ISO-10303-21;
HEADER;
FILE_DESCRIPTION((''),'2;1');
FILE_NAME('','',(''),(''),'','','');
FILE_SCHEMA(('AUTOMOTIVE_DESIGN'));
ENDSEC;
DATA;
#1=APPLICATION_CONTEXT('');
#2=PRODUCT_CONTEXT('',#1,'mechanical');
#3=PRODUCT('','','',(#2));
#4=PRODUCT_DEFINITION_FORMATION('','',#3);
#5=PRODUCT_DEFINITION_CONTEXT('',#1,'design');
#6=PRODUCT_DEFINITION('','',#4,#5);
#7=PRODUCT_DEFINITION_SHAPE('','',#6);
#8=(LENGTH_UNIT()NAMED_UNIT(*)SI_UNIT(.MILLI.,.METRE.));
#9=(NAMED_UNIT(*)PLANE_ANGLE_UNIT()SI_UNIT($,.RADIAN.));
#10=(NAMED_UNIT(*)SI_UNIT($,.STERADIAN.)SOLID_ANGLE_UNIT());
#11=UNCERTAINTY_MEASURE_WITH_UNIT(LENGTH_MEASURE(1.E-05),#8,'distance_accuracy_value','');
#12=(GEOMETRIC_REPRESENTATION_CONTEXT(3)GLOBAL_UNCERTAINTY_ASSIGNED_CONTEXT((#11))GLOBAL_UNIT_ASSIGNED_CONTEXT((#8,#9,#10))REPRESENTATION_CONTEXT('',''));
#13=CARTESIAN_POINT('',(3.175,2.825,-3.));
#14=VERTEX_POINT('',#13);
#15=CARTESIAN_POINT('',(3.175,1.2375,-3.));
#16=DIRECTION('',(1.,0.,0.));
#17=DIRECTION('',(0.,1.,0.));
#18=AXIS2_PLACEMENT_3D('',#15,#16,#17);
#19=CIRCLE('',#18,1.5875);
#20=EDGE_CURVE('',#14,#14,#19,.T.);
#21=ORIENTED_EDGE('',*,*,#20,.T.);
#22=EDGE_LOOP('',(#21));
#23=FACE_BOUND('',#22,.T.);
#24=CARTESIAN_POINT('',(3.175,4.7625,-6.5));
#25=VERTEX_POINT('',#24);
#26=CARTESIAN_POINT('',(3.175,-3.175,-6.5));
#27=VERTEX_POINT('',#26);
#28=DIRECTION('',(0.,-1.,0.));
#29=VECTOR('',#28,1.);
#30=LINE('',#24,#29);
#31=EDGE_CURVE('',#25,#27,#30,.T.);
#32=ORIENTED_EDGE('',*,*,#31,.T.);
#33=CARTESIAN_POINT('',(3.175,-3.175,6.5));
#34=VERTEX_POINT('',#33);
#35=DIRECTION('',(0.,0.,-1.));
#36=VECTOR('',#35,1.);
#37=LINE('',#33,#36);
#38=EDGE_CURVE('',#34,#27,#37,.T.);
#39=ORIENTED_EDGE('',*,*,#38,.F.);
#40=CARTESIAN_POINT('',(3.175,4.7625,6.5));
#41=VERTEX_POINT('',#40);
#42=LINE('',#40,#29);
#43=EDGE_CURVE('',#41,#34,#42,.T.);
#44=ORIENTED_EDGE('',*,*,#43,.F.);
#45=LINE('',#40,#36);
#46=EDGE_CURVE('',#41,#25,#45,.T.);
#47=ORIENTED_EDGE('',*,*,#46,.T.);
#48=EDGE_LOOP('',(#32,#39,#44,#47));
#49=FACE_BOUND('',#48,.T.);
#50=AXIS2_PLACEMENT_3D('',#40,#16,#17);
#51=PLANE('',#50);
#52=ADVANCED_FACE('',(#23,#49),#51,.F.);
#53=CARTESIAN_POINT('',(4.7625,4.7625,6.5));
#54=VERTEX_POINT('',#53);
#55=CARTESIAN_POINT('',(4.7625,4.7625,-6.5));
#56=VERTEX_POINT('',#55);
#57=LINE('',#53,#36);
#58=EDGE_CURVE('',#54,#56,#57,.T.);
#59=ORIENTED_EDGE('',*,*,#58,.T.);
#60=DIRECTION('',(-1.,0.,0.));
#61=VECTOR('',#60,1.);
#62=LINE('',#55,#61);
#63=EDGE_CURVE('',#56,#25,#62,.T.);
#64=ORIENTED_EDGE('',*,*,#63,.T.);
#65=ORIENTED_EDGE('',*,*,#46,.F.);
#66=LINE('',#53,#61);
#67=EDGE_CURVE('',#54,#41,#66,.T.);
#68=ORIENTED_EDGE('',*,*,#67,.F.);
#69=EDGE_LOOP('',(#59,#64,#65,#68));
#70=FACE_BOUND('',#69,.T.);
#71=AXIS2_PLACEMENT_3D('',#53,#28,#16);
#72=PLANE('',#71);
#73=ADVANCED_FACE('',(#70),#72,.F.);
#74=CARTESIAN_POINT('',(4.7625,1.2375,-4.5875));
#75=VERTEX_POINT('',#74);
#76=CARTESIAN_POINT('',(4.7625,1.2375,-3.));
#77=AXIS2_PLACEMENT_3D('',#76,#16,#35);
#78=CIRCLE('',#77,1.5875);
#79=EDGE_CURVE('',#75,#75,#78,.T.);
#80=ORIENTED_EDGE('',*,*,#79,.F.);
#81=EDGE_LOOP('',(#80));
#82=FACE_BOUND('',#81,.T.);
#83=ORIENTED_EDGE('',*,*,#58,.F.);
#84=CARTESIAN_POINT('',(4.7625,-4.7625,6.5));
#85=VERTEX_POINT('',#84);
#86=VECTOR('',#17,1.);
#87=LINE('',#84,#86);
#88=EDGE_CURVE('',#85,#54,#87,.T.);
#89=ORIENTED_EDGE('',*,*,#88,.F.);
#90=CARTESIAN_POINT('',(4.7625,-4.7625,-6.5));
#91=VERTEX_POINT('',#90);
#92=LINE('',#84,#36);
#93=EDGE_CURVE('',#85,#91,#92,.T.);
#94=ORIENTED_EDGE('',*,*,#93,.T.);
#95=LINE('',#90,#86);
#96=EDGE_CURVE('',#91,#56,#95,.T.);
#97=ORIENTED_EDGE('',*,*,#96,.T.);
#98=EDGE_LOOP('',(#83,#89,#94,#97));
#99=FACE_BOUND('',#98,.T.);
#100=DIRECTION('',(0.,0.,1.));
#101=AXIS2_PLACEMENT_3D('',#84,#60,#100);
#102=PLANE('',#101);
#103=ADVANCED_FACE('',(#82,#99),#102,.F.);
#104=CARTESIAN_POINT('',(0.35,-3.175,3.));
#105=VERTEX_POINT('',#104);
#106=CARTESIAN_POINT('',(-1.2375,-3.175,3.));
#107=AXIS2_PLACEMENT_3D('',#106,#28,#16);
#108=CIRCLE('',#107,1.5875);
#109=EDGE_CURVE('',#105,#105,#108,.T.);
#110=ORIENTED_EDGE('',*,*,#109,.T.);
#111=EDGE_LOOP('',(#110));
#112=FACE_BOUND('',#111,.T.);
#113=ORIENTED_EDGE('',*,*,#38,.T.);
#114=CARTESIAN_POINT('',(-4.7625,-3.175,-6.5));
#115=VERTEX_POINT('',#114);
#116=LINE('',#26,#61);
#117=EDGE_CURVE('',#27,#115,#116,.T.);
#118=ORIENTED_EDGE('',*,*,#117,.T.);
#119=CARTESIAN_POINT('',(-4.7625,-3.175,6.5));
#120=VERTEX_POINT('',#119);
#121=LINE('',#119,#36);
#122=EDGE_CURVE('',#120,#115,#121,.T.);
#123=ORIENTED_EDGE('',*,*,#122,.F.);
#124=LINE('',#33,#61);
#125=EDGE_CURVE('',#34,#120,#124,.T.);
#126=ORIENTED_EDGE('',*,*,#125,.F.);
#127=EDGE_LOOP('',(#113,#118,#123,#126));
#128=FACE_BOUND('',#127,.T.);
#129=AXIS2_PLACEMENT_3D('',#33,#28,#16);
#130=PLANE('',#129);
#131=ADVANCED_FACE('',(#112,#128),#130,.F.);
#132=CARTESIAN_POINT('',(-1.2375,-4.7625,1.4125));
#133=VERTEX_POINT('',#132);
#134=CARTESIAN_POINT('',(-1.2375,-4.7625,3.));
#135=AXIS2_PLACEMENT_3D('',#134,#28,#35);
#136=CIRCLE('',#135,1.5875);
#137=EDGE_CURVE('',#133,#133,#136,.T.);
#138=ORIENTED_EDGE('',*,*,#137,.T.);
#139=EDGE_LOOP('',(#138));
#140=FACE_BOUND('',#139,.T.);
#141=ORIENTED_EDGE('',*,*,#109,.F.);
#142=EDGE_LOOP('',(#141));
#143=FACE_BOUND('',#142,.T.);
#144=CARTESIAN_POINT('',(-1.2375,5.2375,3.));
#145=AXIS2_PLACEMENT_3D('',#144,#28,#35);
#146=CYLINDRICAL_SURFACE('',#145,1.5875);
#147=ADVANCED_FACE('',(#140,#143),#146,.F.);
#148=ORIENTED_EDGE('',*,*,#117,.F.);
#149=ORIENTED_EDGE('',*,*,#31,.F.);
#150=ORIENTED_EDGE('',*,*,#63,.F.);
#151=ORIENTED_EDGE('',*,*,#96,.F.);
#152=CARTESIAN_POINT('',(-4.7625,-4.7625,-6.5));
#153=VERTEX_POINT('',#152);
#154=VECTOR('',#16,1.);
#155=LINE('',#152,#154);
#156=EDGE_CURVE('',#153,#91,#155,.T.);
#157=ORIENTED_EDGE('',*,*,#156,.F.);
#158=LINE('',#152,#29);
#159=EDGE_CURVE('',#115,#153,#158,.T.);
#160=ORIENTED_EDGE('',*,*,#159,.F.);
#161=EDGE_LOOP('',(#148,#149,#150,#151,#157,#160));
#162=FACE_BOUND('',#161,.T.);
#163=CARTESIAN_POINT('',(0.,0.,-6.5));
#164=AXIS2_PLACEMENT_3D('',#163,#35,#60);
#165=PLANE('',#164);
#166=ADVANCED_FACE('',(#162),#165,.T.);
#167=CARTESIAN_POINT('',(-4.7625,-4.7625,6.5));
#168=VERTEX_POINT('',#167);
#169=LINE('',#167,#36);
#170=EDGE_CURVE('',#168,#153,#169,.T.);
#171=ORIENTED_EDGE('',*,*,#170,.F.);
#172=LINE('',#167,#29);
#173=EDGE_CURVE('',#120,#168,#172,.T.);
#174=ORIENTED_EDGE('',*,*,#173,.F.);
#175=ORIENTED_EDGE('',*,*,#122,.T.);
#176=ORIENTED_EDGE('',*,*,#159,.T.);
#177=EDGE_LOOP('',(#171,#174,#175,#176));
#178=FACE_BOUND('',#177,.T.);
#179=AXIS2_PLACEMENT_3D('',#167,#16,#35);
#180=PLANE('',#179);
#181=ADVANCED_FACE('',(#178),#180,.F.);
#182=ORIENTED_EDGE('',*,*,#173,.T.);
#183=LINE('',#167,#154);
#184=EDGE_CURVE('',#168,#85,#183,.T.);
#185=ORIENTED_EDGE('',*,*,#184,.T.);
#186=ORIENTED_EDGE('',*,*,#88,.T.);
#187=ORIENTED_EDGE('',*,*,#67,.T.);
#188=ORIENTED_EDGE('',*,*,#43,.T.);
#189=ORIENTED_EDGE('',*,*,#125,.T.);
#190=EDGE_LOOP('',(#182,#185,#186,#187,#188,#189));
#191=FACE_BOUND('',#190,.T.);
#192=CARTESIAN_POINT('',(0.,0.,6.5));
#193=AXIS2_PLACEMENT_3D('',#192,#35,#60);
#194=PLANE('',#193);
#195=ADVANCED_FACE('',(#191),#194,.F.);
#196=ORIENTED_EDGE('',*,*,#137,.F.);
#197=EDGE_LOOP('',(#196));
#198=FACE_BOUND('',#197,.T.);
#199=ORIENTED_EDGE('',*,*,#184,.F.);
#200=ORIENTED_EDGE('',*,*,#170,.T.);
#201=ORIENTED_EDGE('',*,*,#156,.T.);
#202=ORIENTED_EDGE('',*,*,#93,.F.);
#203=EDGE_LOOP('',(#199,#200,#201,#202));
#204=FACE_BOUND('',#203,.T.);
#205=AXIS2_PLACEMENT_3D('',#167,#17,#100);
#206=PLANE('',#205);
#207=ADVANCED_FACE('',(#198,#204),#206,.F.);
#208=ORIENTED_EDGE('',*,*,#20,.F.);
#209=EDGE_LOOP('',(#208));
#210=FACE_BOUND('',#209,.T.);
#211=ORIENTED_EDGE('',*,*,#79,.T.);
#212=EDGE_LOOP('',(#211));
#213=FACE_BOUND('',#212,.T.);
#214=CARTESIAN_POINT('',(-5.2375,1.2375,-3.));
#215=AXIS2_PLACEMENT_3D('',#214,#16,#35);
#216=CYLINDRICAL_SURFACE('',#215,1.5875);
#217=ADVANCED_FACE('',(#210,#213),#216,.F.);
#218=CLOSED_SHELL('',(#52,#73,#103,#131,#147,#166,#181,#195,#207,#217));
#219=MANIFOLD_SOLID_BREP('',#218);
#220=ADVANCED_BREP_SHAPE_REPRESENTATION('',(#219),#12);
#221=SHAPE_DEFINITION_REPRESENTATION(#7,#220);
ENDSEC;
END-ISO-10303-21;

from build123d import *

# Parameters (mm, degrees)
BOSS_EXTRUDE1_DEPTH = 6.5
SKETCH4_R           = 1.5875
CUT_EXTRUDE1_DEPTH  = 10
SKETCH5_R           = 1.5875
CUT_EXTRUDE2_DEPTH  = 10


with BuildPart() as part:
    # Sketch3 → Boss-Extrude1 (new body, symmetric)
    with BuildSketch(Plane.XY):
        Polygon((3.175, -3.175), (-4.7625, -3.175), (-4.7625, -4.7625), (4.7625, -4.7625), (4.7625, 4.7625), (3.175, 4.7625), align=None)
    extrude(amount=BOSS_EXTRUDE1_DEPTH, both=True)

    # Sketch4 → Cut-Extrude1 (cut)
    with BuildSketch(Plane(origin=(4.7625, 0, 0), x_dir=(0, 0, -1), z_dir=(1, 0, 0))):
        with Locations((3, 1.2375)):
            Circle(SKETCH4_R)
    extrude(amount=-CUT_EXTRUDE1_DEPTH, mode=Mode.SUBTRACT)

    # Sketch5 → Cut-Extrude2 (cut)
    with BuildSketch(Plane.XZ.offset(4.7625)):
        with Locations((-1.2375, 3)):
            Circle(SKETCH5_R)
    extrude(amount=-CUT_EXTRUDE2_DEPTH, mode=Mode.SUBTRACT)


solid = part.part
